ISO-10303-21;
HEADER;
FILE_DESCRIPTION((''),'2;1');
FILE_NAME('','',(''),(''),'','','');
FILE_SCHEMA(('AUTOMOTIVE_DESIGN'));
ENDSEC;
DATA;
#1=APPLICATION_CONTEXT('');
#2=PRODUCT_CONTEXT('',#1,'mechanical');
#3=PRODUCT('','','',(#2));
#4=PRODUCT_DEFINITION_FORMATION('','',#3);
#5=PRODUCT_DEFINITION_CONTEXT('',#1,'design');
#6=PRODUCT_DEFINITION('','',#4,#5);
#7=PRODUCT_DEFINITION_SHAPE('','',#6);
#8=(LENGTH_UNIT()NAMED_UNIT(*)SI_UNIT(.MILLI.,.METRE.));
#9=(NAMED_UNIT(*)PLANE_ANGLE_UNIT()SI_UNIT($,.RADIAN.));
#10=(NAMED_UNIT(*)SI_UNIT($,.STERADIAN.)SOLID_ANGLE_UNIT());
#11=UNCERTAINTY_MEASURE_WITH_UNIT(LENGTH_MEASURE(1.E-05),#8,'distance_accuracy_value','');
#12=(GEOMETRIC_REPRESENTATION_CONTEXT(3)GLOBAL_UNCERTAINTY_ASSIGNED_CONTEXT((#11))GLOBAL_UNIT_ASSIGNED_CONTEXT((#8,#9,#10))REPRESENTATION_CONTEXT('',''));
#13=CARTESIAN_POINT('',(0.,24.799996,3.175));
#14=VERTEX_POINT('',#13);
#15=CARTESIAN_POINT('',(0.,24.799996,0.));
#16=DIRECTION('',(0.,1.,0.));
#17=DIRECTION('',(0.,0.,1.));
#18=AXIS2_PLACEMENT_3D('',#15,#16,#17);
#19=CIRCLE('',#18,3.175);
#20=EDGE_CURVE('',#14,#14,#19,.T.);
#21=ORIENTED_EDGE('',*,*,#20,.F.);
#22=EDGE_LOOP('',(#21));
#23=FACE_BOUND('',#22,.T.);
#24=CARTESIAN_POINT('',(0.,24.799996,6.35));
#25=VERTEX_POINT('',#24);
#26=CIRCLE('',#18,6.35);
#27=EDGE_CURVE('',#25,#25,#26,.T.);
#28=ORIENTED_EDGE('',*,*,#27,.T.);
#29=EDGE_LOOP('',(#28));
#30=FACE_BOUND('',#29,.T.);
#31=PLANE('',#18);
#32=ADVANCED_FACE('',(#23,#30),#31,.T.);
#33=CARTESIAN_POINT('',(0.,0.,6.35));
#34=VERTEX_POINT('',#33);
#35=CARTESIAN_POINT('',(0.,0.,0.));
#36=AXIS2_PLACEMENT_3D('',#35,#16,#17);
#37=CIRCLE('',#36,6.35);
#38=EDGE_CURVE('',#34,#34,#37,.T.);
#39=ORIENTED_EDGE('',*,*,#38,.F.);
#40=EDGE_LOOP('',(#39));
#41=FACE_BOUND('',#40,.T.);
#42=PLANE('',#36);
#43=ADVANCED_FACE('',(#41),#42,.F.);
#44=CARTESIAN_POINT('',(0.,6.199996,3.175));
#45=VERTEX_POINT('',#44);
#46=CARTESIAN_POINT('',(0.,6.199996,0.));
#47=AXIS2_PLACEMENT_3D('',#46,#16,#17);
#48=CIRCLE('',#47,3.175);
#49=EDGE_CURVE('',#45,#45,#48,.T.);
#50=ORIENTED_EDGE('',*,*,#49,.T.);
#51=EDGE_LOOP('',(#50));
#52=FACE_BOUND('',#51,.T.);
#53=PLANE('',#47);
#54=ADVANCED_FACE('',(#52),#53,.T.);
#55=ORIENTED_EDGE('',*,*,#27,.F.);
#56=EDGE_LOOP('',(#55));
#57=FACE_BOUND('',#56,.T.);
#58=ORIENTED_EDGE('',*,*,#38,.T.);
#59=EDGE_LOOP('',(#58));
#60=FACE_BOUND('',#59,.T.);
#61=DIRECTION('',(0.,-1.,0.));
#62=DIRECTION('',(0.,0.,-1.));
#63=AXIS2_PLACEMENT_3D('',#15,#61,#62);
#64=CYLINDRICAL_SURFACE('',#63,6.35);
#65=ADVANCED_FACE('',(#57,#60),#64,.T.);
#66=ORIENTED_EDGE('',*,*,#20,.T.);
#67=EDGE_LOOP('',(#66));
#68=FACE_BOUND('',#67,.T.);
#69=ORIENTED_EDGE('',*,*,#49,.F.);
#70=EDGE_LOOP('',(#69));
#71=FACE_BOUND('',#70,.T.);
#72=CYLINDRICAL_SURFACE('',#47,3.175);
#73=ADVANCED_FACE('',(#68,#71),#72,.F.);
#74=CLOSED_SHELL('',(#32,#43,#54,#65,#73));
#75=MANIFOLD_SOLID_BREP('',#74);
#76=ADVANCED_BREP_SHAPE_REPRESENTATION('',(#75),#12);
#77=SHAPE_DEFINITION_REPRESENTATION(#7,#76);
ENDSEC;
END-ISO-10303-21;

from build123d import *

# Parameters (mm, degrees)
SKETCH1_R           = 6.35
BOSS_EXTRUDE1_DEPTH = 24.79999612
SKETCH2_R           = 3.175
CUT_EXTRUDE1_DEPTH  = 18.6


with BuildPart() as part:
    # Sketch1 → Boss-Extrude1 (new body)
    with BuildSketch(Plane(origin=(0, 0, 0), x_dir=(1, 0, 0), z_dir=(0, 1, 0))):
        Circle(SKETCH1_R)
    extrude(amount=BOSS_EXTRUDE1_DEPTH)

    # Sketch2 → Cut-Extrude1 (cut)
    with BuildSketch(Plane(origin=(0, 24.79999612, 0), x_dir=(1, 0, 0), z_dir=(0, 1, 0))):
        Circle(SKETCH2_R)
    extrude(amount=-CUT_EXTRUDE1_DEPTH, mode=Mode.SUBTRACT)


solid = part.part
